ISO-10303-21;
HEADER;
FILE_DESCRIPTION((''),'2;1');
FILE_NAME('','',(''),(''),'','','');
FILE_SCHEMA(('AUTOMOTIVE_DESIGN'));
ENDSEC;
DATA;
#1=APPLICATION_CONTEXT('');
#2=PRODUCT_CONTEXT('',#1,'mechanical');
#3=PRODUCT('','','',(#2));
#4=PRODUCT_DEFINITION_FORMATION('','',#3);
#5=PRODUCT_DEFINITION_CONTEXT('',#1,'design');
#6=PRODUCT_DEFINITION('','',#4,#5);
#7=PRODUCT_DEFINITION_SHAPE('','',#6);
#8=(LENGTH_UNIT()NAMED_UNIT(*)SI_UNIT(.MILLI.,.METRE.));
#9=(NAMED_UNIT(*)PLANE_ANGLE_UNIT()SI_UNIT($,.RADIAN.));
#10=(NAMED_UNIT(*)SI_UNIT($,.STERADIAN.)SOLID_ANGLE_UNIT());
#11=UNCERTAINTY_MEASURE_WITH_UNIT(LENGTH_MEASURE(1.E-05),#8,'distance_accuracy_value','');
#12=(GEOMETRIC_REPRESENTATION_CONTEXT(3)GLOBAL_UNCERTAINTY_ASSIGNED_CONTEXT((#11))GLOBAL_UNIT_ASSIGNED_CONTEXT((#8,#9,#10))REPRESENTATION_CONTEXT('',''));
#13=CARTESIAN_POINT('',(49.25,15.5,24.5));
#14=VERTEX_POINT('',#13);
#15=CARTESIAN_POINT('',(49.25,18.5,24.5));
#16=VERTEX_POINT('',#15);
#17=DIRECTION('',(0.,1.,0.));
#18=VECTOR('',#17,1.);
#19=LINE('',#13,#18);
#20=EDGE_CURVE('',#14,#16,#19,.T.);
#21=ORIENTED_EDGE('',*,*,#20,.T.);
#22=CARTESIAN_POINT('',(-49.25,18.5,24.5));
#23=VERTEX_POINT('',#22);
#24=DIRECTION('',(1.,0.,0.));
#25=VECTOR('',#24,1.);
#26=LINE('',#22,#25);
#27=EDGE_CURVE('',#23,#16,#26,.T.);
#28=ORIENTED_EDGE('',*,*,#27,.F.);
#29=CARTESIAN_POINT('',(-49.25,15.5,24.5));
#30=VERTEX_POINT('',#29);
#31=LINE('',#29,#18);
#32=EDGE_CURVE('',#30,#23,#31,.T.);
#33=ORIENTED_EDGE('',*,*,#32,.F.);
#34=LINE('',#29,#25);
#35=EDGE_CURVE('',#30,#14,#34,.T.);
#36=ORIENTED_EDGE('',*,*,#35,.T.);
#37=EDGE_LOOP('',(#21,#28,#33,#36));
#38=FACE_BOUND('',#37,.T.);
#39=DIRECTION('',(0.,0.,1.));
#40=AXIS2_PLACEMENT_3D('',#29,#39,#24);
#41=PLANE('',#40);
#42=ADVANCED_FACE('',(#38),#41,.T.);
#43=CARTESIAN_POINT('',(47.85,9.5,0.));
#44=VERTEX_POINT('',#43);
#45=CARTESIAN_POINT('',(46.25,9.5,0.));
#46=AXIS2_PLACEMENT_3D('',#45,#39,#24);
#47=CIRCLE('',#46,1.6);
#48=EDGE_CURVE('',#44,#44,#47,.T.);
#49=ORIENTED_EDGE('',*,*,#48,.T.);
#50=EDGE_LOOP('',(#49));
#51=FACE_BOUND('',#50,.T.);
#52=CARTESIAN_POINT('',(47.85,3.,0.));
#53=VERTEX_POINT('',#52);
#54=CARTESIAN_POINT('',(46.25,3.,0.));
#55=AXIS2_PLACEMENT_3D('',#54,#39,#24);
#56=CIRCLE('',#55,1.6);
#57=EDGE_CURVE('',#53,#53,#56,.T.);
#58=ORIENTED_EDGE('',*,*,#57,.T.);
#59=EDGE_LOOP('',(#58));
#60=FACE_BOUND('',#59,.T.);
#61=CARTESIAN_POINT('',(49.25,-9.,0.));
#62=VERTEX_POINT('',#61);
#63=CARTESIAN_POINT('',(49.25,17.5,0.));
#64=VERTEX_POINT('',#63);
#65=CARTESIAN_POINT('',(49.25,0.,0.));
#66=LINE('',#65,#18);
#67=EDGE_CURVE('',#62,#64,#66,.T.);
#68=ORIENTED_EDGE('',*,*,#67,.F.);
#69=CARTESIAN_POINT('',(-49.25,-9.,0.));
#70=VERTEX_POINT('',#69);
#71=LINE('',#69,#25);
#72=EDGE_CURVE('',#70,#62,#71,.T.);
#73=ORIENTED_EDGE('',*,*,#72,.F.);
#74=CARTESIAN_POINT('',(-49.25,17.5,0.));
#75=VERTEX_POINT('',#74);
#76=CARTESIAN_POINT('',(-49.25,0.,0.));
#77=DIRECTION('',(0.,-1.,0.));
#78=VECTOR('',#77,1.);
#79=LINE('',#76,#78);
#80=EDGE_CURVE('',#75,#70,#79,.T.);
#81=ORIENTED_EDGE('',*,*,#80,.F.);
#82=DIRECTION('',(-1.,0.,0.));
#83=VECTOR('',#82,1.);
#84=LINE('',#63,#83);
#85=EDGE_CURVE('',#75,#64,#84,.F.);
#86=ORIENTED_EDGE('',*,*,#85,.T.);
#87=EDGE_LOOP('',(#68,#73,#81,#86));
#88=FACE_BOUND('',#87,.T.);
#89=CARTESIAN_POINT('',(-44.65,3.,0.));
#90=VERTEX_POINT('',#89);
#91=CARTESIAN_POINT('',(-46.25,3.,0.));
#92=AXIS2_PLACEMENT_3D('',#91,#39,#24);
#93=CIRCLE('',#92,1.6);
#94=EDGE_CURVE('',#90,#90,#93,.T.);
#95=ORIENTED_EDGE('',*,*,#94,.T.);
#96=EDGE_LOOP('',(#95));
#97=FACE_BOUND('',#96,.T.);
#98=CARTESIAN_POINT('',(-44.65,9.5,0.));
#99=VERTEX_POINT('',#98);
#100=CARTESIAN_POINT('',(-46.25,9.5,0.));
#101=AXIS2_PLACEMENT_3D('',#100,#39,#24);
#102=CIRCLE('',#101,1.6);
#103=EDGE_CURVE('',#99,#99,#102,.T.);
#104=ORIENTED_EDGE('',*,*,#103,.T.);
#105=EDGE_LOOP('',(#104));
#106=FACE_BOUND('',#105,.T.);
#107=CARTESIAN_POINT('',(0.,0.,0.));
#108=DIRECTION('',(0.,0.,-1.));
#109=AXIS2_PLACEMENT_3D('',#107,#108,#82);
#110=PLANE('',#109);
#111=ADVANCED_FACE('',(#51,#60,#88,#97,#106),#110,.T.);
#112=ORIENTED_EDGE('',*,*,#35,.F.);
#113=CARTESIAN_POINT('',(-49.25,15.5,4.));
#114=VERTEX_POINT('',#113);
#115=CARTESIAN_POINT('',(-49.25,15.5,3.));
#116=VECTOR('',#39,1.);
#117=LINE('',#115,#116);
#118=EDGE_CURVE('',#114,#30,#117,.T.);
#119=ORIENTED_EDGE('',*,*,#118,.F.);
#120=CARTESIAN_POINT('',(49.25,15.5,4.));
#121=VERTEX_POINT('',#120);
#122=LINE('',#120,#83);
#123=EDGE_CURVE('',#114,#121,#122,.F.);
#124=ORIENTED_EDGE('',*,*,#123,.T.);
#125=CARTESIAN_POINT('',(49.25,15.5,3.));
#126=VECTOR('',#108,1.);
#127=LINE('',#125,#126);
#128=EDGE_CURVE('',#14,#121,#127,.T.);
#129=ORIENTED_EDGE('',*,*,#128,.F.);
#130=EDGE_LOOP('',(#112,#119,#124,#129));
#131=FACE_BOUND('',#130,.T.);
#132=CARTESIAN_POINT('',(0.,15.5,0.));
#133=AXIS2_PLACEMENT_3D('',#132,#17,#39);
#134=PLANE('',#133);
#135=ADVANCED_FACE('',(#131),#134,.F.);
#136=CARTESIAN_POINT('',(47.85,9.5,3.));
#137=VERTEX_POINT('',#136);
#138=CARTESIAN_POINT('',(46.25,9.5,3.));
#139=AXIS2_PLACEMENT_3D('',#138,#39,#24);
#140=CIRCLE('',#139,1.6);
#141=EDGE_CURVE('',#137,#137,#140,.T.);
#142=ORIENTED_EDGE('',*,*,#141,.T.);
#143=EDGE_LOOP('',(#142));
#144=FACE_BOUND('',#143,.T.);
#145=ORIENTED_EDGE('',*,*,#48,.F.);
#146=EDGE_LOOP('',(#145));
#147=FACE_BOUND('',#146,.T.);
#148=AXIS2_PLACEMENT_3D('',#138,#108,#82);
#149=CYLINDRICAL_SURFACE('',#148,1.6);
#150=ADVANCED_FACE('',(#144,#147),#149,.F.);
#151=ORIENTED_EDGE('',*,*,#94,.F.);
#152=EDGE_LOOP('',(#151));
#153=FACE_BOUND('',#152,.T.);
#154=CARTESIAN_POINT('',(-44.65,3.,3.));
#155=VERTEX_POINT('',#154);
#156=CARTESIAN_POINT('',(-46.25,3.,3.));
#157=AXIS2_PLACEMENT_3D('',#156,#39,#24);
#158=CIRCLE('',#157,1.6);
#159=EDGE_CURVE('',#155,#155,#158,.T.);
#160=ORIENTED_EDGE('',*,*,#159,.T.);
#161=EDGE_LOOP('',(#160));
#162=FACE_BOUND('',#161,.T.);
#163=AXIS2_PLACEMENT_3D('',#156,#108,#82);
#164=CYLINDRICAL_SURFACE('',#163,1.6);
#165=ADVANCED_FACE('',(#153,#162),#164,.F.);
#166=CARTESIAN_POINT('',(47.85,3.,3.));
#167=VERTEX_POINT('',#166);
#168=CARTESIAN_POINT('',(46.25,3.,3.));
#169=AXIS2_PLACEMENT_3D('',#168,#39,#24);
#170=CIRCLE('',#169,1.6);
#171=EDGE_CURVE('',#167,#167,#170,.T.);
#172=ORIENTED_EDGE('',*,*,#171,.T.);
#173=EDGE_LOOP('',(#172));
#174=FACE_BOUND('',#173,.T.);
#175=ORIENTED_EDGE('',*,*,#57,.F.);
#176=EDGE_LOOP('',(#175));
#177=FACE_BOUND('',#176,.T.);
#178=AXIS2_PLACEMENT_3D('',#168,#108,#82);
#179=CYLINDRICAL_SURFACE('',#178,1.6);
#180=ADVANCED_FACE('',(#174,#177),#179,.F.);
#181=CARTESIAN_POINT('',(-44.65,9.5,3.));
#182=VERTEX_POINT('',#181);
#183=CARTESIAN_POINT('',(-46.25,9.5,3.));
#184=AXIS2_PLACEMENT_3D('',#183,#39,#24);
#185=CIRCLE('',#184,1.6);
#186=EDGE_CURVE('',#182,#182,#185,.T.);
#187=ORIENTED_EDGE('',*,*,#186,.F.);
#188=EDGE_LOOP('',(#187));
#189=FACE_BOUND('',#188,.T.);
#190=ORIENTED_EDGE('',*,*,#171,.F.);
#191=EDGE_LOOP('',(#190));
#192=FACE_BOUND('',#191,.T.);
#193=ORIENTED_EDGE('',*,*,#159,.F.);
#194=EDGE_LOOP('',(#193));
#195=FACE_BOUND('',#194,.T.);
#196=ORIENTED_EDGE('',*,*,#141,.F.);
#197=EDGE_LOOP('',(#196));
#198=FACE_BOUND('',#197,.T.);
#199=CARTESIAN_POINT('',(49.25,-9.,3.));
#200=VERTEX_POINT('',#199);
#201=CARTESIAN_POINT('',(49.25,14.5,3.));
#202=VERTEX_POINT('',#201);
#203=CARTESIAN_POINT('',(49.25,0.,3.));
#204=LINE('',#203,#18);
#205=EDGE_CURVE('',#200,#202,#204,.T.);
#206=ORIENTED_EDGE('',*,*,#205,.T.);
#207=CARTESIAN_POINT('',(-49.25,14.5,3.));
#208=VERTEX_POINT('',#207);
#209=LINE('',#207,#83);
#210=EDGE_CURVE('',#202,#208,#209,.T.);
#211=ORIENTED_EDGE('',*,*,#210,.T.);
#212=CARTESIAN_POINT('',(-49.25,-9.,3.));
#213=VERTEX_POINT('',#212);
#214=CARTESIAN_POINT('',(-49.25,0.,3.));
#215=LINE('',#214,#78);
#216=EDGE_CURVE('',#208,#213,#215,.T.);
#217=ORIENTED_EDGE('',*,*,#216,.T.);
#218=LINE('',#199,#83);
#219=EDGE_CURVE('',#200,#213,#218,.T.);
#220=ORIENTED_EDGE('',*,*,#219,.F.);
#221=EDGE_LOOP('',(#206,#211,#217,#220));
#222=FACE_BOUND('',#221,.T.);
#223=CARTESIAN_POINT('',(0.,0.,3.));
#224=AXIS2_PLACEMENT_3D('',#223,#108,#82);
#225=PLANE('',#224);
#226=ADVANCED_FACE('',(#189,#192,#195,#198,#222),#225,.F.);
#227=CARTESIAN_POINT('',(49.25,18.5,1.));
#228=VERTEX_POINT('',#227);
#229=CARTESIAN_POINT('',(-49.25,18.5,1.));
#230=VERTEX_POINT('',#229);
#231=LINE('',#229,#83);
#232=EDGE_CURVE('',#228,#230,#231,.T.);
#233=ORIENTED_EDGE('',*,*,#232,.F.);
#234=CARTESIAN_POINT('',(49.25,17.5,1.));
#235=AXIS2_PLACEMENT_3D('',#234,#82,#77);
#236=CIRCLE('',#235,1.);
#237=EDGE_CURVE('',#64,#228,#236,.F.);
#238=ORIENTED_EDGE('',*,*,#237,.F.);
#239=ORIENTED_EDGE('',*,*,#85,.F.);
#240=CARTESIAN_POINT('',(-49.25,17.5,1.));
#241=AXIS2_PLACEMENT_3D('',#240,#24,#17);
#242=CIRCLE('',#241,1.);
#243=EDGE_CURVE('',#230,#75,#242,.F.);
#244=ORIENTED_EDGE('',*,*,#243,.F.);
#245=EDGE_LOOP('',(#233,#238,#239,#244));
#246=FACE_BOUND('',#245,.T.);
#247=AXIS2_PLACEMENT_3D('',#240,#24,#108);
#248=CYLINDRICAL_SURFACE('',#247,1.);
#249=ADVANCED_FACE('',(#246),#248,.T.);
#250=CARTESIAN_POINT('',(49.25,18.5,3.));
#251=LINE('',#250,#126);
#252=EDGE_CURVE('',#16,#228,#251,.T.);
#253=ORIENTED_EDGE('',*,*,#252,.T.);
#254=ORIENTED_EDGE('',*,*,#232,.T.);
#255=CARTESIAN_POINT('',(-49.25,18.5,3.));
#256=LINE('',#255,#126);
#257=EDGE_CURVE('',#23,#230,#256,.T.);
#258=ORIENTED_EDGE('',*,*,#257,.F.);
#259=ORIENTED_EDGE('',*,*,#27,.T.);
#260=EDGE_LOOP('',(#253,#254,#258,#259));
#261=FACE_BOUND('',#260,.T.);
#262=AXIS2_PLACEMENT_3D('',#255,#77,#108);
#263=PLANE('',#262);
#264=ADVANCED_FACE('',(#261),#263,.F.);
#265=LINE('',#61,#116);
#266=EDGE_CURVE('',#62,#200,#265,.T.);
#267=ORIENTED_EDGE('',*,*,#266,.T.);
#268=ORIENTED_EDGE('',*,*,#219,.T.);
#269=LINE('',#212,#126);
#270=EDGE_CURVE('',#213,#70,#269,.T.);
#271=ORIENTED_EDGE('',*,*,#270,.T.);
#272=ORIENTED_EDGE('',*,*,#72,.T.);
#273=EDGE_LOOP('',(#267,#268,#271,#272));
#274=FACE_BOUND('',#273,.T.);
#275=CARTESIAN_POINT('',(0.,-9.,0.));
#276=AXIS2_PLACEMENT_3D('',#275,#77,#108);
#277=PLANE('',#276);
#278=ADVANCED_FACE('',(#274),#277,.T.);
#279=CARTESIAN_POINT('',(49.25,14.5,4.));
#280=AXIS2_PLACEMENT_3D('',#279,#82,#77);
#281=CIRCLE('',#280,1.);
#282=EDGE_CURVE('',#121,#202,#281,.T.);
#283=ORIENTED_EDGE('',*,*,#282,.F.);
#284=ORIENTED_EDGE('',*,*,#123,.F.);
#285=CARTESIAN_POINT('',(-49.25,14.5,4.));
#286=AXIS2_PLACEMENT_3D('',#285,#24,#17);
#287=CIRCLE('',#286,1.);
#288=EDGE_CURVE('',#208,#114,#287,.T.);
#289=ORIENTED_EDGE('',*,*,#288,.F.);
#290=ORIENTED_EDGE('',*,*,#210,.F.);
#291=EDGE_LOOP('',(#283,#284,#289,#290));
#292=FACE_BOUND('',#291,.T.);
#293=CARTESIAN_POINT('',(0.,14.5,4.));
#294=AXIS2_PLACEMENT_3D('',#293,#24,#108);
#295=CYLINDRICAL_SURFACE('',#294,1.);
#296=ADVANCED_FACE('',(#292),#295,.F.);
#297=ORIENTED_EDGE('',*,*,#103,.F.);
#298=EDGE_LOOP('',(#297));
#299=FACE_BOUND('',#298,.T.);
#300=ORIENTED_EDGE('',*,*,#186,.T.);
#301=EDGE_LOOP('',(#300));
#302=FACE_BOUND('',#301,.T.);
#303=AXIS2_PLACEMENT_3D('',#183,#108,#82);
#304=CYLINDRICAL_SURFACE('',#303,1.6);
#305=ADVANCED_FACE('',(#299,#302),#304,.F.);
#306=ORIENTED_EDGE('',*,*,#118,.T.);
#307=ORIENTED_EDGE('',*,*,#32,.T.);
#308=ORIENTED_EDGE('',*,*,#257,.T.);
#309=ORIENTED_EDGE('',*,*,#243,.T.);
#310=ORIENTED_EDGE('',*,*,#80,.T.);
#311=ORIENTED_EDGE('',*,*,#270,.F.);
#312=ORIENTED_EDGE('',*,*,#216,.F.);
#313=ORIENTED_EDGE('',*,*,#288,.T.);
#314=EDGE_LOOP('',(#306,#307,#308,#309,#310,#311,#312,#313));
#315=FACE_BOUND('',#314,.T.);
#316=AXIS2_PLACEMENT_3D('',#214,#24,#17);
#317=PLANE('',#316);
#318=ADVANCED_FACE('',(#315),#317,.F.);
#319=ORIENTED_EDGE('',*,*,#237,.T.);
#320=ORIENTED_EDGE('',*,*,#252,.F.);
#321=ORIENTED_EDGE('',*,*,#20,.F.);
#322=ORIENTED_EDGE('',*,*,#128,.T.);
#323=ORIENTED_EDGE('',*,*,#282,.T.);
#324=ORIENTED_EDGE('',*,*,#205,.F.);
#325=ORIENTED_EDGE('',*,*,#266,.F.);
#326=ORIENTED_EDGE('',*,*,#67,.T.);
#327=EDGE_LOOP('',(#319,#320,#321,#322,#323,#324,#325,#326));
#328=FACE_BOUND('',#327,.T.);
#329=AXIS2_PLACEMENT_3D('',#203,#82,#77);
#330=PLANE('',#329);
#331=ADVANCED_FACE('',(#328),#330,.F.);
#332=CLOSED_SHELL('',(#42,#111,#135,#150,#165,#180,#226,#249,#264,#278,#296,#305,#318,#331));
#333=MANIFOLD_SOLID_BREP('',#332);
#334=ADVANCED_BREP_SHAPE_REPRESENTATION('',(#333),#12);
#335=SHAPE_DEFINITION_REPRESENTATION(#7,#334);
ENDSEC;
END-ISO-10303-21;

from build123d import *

# Parameters (mm, degrees)
SKETCH_1_W      = 98.5
SKETCH_1_H      = 18.5
SKETCH_1_R      = 1.6
EXTRUDE_1_DEPTH = 3
SKETCH_2_W      = 98.5
SKETCH_2_H      = 21.5
EXTRUDE_2_DEPTH = 3
FILLET_1_R      = 1
SKETCH_3_W      = 98.5
SKETCH_3_H      = 3
EXTRUDE_3_DEPTH = 9


with BuildPart() as part:
    # 草图1 → 凸台-拉伸1 (new body)
    with BuildSketch(Plane.XY):
        with Locations((0, 9.25)):
            Rectangle(SKETCH_1_W, SKETCH_1_H)
        with Locations((-46.25, 3)):
            Circle(SKETCH_1_R, mode=Mode.SUBTRACT)
        with Locations((-46.25, 9.5)):
            Circle(SKETCH_1_R, mode=Mode.SUBTRACT)
        with Locations((46.25, 3)):
            Circle(SKETCH_1_R, mode=Mode.SUBTRACT)
        with Locations((46.25, 9.5)):
            Circle(SKETCH_1_R, mode=Mode.SUBTRACT)
    extrude(amount=EXTRUDE_1_DEPTH)

    # 草图2 → 凸台-拉伸2 (add)
    with BuildSketch(Plane(origin=(0, 18.5, 0), x_dir=(1, 0, 0), z_dir=(0, 1, 0))):
        with Locations((0, -13.75)):
            Rectangle(SKETCH_2_W, SKETCH_2_H)
    extrude(amount=-EXTRUDE_2_DEPTH)

    # 圆角1
    fillet_1_edges = [part.edges().sort_by_distance(p)[0] for p in [
        (0, 15.5, 3),
        (0, 18.5, 0),
    ]]
    fillet(fillet_1_edges, radius=FILLET_1_R)

    # 草图3 → 凸台-拉伸3 (add)
    with BuildSketch(Plane.XZ):
        with Locations((0, 1.5)):
            Rectangle(SKETCH_3_W, SKETCH_3_H)
    extrude(amount=EXTRUDE_3_DEPTH)


solid = part.part
